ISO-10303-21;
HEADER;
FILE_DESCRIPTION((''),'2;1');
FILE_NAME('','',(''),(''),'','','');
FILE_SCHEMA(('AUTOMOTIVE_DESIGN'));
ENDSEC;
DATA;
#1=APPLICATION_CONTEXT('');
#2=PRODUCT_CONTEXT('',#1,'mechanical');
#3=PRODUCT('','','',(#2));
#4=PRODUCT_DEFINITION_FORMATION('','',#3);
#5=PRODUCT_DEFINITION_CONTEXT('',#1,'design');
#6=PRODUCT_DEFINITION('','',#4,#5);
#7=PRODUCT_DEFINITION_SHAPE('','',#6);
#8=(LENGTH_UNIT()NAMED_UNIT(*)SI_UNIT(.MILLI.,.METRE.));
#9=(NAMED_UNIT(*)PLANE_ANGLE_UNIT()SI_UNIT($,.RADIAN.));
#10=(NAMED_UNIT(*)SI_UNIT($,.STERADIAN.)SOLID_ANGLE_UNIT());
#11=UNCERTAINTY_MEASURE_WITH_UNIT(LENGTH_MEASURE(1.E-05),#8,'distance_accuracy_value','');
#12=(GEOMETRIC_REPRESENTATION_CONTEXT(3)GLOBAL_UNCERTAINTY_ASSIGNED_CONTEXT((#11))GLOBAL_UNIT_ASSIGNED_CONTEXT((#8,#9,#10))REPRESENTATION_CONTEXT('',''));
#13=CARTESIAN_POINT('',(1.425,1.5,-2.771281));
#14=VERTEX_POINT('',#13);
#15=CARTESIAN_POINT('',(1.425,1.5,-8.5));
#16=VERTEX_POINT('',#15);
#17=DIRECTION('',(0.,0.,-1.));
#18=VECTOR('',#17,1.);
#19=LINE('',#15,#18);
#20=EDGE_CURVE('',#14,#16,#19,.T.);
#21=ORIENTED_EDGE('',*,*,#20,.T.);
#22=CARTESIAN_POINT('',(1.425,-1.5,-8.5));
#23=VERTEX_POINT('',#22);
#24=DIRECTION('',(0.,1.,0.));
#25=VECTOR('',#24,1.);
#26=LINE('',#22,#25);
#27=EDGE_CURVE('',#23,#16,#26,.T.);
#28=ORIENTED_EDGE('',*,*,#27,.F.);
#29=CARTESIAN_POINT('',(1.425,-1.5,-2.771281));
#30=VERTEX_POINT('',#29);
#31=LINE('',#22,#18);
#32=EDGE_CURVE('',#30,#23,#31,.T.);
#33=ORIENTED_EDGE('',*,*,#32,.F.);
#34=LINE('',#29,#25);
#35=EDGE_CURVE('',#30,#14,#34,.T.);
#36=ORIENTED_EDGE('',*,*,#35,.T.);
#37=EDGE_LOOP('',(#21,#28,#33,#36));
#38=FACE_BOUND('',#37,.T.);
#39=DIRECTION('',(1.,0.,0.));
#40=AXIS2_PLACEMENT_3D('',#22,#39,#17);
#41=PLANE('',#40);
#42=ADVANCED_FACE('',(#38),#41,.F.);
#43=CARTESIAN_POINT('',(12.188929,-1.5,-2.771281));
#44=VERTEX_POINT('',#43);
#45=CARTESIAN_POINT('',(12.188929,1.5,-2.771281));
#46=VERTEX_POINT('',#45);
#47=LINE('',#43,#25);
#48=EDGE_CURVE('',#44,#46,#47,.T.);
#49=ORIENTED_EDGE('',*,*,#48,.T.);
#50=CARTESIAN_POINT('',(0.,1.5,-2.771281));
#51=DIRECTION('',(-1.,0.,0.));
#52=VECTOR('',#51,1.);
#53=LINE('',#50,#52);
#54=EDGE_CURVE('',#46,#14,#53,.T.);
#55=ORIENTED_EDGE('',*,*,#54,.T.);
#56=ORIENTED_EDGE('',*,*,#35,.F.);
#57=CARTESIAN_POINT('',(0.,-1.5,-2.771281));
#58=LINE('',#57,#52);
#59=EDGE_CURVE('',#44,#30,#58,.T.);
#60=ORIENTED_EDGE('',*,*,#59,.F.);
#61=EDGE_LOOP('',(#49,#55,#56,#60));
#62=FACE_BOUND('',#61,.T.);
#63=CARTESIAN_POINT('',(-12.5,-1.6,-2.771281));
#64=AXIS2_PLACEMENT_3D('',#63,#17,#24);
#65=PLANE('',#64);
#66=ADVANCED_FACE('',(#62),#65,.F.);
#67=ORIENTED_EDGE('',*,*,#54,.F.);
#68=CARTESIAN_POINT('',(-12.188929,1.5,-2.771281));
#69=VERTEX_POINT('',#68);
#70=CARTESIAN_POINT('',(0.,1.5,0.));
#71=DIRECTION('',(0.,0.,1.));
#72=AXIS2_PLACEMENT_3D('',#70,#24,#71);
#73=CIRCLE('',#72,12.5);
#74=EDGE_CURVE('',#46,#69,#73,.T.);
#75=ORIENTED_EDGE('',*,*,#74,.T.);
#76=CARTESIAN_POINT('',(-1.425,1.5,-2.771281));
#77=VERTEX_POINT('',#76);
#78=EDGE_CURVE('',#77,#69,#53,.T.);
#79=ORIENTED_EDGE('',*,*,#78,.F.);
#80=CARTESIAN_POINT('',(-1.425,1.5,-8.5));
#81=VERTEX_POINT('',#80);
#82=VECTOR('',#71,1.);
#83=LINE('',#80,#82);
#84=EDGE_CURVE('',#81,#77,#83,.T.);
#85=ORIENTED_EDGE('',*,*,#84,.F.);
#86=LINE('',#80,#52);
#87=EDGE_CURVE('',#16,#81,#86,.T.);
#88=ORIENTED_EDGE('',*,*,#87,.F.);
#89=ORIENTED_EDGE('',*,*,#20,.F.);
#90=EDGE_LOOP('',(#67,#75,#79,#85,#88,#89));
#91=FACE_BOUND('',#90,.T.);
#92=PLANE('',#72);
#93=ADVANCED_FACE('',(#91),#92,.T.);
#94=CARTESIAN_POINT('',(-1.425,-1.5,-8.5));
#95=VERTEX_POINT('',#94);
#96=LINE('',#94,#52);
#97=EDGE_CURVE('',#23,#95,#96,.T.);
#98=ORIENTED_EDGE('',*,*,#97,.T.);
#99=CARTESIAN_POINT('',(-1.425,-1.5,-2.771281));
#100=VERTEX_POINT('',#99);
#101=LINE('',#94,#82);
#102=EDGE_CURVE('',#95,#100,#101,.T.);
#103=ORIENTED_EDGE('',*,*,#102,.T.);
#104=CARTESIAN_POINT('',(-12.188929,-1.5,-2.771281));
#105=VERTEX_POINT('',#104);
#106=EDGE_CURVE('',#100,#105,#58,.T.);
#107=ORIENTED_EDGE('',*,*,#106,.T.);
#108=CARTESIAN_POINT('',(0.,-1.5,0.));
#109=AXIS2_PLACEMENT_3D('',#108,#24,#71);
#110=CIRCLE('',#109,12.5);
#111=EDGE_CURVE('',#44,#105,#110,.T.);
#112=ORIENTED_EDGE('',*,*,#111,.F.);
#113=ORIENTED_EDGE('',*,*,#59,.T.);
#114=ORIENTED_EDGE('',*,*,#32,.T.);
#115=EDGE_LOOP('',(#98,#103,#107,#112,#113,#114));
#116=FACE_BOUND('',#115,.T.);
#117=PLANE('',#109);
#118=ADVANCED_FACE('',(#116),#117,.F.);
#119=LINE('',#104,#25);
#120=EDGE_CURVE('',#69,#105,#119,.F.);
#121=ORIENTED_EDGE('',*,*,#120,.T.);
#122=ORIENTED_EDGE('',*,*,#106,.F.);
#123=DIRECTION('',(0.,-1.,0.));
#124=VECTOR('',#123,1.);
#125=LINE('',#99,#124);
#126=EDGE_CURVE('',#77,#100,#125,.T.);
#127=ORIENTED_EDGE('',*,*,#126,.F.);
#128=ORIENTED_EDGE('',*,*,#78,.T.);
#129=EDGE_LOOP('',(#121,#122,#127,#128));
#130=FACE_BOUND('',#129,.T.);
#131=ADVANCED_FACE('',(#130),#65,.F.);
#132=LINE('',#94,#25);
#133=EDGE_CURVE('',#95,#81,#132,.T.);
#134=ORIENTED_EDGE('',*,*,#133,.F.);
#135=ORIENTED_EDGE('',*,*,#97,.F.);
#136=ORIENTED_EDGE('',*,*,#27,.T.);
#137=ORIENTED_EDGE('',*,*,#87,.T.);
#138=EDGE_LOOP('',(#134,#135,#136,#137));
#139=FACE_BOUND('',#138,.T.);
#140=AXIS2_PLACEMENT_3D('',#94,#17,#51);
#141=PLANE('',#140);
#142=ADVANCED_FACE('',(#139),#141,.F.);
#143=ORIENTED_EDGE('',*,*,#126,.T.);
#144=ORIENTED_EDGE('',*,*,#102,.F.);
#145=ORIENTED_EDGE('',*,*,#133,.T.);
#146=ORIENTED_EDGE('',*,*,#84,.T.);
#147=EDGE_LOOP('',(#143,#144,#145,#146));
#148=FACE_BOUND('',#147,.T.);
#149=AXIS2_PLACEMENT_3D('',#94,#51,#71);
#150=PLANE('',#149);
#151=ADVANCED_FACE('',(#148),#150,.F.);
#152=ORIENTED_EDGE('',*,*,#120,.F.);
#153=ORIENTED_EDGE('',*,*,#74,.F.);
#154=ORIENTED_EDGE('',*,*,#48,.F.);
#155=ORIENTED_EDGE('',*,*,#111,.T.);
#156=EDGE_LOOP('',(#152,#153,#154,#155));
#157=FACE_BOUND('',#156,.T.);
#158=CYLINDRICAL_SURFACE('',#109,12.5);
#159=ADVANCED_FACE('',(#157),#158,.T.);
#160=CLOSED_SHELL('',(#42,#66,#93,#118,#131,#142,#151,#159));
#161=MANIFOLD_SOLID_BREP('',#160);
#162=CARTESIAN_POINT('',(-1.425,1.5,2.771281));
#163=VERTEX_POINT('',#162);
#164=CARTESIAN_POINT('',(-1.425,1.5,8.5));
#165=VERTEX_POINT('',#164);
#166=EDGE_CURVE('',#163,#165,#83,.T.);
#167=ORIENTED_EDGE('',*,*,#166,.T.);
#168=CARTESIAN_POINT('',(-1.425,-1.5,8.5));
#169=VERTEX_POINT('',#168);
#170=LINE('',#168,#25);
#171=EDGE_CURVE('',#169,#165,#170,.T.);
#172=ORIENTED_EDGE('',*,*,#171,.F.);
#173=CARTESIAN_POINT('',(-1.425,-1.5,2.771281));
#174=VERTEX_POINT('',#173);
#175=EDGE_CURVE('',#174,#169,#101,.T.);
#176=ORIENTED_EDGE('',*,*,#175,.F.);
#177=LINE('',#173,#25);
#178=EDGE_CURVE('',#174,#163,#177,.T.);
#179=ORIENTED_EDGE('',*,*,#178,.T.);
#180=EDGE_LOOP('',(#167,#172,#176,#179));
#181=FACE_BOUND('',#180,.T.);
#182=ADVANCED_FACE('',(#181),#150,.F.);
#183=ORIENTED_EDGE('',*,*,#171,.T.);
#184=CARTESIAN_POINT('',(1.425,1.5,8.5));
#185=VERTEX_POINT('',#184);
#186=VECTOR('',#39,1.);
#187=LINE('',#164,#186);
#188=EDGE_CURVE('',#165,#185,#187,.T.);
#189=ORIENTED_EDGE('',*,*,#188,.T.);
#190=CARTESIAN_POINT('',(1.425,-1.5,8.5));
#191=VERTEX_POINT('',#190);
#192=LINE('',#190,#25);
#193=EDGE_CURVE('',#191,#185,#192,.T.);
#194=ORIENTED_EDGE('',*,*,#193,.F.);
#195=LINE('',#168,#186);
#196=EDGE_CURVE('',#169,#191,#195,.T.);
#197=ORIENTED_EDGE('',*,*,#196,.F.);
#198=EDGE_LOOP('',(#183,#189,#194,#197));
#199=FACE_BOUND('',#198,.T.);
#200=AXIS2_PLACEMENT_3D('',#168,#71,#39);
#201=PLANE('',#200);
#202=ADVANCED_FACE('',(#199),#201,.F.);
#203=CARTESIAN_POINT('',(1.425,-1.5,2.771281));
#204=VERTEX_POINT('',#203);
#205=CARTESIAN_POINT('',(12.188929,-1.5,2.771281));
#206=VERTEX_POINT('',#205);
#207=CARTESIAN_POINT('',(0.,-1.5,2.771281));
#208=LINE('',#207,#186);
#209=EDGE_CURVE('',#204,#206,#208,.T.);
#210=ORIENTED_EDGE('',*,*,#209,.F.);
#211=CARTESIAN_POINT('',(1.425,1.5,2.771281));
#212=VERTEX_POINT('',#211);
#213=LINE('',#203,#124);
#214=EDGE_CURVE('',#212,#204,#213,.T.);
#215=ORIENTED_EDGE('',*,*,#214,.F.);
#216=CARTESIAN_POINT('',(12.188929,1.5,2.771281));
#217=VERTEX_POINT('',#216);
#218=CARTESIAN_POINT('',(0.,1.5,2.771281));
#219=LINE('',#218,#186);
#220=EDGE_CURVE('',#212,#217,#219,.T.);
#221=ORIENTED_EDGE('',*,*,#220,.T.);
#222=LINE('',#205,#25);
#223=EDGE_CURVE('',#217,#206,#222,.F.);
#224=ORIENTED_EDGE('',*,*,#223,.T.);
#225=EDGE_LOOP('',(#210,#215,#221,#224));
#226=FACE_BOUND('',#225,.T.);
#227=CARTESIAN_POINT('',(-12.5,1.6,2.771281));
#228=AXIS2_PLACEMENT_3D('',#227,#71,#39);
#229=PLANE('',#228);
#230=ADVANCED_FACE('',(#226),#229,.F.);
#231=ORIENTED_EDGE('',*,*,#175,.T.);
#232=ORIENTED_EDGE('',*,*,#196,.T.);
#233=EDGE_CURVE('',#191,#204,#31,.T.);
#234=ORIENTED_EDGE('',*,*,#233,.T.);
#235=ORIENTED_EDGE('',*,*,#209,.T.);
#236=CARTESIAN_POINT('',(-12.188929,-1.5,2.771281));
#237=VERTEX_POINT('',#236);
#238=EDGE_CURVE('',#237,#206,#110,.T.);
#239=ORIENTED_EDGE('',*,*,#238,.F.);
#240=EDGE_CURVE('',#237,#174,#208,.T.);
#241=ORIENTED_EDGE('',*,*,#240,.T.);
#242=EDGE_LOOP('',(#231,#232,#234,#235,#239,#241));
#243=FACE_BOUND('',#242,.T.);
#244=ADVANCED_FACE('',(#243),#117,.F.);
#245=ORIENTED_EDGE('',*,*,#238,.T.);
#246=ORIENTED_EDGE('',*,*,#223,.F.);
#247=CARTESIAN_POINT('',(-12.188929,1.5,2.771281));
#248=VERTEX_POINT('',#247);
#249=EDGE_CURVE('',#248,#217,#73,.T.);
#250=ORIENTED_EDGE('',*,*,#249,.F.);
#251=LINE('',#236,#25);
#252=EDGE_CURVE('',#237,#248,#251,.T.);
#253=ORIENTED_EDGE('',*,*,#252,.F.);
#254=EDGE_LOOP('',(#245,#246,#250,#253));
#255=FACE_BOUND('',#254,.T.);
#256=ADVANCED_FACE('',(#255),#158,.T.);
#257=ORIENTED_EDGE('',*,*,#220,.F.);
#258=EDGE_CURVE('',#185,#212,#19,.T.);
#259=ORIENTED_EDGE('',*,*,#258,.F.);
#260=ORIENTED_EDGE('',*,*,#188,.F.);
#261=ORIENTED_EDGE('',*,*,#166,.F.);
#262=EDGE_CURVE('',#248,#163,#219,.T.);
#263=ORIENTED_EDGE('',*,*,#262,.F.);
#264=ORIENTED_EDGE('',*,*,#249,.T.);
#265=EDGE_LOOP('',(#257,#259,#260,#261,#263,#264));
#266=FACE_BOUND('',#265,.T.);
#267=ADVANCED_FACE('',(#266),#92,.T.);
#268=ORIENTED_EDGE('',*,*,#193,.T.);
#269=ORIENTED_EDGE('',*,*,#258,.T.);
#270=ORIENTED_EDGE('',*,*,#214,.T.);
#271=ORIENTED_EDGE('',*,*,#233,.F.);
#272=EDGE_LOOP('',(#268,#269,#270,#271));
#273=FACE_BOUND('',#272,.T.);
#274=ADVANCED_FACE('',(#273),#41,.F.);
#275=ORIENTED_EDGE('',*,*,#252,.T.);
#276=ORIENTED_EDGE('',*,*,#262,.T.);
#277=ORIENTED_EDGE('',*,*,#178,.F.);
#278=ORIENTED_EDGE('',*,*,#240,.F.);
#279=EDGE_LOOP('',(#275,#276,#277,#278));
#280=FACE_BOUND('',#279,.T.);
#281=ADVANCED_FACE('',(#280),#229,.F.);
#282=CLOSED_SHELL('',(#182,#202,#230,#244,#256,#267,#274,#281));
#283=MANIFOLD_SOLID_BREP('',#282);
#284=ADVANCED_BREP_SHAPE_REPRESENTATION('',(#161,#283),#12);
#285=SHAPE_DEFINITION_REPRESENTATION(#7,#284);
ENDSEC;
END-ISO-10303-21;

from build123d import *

# Parameters (mm, degrees)
BOSS_EXTRUDE1_DEPTH      = 1.5
BOSS_EXTRUDE1_DEPTH_BACK = 1.5
SKETCH1_R                = 12.5
SKETCH1_W                = 2.85
SKETCH1_H                = 17
CUT_EXTRUDE1_DEPTH       = 18.741194999
CUT_EXTRUDE1_DEPTH_BACK  = 18.741194999


with BuildPart() as part:
    # Sketch1 → Boss-Extrude1 (new, two sides: drawn at the far end of the back side and taken through both)
    with BuildSketch(Plane(origin=(0, 0, 0), x_dir=(1, 0, 0), z_dir=(0, 1, 0)).offset(-BOSS_EXTRUDE1_DEPTH_BACK)):
        Circle(SKETCH1_R)
        Rectangle(SKETCH1_W, SKETCH1_H, mode=Mode.SUBTRACT)
    extrude(amount=BOSS_EXTRUDE1_DEPTH + BOSS_EXTRUDE1_DEPTH_BACK)

    # Sketch4 → Cut-Extrude1 (cut, two sides: drawn at the far end of the back side and taken through both)
    with BuildSketch(Plane(origin=(0, 0, 0), x_dir=(0, 0, -1), z_dir=(1, 0, 0)).offset(-CUT_EXTRUDE1_DEPTH_BACK)):
        Polygon((2.771281292, -1.6), (2.771281292, 1.6), (0, 3.2), (-2.771281292, 1.6), (-2.771281292, -1.6), (0, -3.2), align=None)
    extrude(amount=CUT_EXTRUDE1_DEPTH + CUT_EXTRUDE1_DEPTH_BACK, mode=Mode.SUBTRACT)


with BuildPart() as cut_extrude1_piece_1:
    # of the separate pieces the step leaves, piece 1, a body of its own (cut_extrude1_pieces)
    add(part.part.solids().sort_by_distance((-12.188929403, -1.5, -2.771281292))[0])


with BuildPart() as cut_extrude1_piece_2:
    # of the separate pieces the step leaves, piece 2, a body of its own (cut_extrude1_pieces)
    add(part.part.solids().sort_by_distance((-12.188929403, 1.5, 2.771281292))[0])


solid = Compound([cut_extrude1_piece_1.part, cut_extrude1_piece_2.part])
